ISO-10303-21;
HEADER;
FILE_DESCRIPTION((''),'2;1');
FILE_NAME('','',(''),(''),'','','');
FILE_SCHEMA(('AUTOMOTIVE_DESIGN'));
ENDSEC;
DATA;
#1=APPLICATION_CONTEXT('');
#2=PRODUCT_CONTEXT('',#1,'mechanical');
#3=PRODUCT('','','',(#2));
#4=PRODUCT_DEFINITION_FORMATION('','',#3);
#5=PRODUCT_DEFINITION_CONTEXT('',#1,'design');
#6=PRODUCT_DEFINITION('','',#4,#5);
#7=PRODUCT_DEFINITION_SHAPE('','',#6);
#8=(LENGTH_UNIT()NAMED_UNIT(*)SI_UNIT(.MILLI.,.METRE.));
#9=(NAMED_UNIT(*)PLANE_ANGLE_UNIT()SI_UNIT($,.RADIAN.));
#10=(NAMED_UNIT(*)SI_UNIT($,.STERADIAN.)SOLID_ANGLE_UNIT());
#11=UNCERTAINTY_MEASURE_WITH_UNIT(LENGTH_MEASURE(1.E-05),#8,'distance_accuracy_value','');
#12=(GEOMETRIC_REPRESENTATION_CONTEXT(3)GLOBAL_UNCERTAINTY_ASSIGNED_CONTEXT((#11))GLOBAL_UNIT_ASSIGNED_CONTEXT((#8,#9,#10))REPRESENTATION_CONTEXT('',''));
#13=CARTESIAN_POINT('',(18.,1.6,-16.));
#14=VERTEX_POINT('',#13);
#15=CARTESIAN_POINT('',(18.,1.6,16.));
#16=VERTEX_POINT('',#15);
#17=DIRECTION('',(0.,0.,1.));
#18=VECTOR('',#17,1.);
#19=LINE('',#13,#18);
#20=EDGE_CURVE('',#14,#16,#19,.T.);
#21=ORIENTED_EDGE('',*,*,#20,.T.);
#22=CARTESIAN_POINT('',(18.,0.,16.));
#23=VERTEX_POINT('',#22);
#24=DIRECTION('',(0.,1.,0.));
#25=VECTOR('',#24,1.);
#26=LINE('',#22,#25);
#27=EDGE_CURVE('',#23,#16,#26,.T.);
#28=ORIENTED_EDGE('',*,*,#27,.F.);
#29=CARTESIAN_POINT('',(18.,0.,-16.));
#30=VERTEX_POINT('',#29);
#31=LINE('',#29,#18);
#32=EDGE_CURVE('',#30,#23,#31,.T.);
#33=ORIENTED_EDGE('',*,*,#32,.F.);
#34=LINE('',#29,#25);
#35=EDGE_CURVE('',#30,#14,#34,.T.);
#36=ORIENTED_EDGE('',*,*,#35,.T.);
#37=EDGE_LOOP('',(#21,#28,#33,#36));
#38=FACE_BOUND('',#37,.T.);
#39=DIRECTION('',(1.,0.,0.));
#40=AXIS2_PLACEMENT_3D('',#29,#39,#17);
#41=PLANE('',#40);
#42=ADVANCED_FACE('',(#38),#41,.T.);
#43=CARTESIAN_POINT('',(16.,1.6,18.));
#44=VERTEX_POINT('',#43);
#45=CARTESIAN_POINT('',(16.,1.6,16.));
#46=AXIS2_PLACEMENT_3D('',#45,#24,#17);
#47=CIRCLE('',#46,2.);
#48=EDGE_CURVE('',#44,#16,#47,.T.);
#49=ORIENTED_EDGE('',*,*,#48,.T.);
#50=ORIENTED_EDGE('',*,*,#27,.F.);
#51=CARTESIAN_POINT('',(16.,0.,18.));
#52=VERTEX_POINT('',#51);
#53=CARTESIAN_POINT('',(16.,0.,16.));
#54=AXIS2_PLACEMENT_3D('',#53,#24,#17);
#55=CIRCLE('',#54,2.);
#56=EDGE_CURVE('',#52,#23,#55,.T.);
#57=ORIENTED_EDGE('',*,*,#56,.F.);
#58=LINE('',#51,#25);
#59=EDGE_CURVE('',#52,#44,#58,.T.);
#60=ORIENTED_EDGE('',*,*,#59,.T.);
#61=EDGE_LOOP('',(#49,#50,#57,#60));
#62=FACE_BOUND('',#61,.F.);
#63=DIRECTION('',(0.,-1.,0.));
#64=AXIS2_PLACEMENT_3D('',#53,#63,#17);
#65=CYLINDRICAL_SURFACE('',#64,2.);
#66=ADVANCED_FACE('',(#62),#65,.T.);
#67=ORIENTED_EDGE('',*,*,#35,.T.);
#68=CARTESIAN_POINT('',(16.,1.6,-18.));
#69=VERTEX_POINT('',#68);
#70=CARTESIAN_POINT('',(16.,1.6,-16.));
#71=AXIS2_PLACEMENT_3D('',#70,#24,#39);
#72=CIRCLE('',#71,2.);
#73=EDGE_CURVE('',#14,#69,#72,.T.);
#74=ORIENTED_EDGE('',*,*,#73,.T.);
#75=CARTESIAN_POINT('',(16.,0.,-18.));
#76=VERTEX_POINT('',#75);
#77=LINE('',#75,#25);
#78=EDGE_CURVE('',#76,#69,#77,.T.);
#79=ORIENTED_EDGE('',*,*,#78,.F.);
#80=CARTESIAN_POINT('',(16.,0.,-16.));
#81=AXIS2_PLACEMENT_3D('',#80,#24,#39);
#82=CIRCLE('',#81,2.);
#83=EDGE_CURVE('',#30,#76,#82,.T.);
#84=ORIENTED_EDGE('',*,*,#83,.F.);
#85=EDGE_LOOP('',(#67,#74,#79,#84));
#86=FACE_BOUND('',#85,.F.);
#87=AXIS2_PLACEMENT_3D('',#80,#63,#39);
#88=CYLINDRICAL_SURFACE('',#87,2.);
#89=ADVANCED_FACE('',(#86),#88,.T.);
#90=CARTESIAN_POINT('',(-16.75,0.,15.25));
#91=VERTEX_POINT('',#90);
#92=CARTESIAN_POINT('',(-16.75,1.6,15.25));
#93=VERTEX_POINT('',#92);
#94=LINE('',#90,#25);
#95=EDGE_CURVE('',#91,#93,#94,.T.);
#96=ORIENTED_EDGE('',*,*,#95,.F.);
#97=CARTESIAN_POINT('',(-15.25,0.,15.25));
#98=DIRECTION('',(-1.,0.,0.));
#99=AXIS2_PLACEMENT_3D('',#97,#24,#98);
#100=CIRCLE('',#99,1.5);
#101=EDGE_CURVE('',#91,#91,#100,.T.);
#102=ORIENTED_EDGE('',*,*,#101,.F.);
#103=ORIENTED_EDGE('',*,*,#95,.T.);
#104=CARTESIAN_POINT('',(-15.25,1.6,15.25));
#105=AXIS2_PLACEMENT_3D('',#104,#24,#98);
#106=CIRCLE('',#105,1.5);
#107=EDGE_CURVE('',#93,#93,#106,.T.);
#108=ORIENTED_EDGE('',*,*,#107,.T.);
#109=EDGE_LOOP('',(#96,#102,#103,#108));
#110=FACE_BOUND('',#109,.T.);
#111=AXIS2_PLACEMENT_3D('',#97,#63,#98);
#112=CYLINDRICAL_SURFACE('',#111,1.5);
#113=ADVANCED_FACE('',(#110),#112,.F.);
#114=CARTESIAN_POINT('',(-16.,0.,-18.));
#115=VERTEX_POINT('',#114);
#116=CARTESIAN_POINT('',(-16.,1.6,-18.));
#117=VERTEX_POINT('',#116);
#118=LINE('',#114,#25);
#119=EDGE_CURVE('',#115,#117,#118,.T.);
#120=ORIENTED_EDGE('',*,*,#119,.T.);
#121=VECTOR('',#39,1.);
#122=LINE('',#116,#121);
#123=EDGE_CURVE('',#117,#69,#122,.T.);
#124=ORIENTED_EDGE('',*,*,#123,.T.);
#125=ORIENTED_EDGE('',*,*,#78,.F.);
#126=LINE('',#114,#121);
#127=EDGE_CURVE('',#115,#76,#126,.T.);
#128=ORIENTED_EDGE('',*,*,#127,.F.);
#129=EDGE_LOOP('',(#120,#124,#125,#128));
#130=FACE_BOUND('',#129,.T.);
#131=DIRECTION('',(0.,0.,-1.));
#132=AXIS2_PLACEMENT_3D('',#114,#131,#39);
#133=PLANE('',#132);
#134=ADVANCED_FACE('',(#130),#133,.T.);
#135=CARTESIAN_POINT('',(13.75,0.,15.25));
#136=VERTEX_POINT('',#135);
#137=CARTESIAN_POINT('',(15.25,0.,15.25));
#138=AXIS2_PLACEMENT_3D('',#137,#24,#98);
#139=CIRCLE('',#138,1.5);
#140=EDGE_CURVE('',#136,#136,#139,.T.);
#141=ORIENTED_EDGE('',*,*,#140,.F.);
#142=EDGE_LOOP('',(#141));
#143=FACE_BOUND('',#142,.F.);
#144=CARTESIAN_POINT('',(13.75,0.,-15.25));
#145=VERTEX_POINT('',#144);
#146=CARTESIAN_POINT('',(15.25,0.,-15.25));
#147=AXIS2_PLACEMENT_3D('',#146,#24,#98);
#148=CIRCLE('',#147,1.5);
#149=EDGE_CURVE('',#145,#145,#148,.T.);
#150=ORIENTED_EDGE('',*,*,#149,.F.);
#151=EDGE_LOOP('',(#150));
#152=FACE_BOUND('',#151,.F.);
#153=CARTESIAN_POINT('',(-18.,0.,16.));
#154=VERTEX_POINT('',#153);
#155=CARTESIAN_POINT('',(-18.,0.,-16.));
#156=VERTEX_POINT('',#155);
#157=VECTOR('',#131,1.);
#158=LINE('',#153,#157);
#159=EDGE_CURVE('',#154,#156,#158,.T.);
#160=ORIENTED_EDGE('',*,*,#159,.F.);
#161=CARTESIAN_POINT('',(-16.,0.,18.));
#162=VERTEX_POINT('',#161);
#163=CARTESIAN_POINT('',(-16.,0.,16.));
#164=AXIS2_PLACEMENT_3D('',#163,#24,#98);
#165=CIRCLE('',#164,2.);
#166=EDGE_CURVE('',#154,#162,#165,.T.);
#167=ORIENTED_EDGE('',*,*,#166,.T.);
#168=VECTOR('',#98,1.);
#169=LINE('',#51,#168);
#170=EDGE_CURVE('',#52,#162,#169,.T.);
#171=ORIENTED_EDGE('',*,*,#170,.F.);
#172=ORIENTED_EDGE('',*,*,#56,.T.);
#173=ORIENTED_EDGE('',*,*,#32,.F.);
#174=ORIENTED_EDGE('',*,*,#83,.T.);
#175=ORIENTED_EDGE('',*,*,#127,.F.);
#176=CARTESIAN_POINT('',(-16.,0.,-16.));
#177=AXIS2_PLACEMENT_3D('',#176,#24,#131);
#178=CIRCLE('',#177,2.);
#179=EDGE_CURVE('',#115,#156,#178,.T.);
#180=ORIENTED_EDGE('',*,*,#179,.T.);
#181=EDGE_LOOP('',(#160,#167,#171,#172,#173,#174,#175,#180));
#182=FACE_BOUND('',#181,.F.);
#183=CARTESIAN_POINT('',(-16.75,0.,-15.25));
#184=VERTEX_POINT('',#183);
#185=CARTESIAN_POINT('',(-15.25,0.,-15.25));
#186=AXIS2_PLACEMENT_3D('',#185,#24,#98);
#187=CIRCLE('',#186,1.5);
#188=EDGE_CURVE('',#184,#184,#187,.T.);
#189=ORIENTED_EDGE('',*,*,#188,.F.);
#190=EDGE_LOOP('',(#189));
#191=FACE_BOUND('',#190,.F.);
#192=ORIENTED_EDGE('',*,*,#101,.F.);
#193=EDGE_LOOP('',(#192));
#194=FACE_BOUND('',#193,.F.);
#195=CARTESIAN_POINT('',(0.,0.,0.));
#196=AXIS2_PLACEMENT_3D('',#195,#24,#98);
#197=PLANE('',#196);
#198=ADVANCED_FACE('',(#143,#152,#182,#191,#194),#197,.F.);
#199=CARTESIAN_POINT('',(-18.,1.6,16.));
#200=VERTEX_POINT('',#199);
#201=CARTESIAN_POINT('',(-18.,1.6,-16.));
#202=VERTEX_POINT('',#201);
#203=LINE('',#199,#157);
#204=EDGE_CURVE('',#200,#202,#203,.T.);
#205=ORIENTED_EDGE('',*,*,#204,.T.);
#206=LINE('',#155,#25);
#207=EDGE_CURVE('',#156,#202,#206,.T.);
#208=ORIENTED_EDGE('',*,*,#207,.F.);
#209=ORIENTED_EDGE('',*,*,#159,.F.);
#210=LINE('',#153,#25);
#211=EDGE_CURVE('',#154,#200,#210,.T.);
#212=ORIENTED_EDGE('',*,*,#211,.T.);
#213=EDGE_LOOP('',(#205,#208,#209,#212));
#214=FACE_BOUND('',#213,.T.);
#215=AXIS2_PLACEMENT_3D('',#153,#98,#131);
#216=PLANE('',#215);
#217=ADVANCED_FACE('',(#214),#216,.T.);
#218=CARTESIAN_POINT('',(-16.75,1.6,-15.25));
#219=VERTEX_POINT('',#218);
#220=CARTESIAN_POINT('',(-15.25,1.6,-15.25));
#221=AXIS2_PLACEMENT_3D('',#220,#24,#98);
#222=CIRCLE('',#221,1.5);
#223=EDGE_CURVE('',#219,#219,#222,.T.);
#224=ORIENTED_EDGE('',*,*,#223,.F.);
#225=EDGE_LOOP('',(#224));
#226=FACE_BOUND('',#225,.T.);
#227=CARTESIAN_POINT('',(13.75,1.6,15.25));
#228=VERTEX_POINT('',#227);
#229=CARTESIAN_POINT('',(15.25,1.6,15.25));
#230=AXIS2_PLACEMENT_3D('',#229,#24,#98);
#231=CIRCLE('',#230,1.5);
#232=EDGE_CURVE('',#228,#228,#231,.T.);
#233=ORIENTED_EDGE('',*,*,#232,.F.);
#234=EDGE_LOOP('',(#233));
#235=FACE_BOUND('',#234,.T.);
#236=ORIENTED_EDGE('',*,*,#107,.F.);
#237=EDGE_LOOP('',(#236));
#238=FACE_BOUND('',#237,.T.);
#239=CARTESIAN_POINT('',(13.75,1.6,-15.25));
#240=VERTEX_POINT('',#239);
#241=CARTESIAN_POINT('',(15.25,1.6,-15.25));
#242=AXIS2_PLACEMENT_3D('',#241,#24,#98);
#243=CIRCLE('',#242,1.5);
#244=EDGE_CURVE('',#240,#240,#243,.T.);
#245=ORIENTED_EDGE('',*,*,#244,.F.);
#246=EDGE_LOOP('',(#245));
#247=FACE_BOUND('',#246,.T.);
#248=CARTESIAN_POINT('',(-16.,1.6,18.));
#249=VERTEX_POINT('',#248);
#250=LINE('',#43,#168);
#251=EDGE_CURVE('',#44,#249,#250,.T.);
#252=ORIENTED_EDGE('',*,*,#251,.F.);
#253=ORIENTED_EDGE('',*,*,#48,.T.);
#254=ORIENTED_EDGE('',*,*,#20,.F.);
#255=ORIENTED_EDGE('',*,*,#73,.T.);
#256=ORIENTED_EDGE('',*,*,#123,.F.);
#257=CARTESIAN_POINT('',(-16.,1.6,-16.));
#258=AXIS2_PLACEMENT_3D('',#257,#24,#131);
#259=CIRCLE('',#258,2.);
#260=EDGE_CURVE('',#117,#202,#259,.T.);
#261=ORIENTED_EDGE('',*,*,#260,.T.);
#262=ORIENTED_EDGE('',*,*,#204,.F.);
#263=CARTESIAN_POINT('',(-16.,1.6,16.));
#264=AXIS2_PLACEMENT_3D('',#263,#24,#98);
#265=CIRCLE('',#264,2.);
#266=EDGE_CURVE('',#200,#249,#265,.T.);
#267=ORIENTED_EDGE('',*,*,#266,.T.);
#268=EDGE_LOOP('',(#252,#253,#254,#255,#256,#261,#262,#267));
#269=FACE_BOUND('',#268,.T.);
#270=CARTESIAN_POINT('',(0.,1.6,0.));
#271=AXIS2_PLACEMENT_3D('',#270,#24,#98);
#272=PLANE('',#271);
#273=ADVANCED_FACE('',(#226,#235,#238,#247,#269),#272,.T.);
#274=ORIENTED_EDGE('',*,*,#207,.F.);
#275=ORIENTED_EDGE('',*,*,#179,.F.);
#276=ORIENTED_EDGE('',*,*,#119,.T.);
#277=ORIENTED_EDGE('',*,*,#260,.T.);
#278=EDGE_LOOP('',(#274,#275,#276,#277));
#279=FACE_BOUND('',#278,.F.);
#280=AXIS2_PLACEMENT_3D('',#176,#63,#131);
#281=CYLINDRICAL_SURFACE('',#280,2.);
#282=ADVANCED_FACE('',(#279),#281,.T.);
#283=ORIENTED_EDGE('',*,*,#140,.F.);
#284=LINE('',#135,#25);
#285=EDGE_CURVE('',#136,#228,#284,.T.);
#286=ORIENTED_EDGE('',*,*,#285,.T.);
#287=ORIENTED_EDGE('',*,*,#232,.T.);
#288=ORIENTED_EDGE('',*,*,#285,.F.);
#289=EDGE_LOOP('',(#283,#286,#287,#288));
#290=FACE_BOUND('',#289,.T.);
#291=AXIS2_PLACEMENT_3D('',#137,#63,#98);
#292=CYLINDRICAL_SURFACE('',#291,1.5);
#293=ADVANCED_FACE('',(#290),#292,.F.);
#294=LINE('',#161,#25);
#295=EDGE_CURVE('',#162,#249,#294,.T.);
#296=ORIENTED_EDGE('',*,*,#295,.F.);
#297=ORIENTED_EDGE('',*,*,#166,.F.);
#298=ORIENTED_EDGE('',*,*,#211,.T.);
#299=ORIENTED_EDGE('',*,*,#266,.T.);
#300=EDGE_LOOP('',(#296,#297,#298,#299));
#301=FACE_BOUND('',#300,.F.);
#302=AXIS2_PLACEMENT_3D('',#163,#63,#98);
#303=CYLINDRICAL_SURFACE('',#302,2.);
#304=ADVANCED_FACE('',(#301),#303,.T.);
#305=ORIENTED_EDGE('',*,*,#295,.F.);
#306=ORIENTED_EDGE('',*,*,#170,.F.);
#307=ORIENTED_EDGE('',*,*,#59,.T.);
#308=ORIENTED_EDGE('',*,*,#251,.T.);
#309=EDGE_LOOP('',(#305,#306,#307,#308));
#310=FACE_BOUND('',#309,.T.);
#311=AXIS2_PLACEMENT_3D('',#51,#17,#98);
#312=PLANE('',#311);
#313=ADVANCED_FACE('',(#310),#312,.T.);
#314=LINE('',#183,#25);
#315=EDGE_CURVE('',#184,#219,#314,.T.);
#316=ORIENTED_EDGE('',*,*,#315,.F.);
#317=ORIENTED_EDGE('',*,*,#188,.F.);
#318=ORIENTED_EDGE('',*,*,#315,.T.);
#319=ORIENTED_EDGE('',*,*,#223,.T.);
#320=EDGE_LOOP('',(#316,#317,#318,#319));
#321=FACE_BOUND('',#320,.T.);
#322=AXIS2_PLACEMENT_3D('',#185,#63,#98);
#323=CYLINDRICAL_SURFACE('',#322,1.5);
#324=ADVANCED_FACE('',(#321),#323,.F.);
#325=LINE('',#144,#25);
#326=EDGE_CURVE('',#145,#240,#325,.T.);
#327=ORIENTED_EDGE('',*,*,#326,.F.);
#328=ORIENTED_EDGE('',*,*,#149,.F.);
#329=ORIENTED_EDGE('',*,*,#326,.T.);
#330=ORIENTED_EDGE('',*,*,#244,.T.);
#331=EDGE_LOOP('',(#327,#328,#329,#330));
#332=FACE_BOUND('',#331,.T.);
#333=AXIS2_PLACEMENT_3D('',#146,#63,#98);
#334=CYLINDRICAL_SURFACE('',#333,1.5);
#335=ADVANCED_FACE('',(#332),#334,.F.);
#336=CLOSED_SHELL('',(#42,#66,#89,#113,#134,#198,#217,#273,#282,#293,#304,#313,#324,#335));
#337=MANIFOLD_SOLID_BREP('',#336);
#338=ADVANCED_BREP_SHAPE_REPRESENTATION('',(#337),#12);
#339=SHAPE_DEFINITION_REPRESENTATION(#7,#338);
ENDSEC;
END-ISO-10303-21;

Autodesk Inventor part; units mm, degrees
ref_plane "YZ Plane" through (0, 0, 0) normal (1, 0, 0) x (0, 1, 0)
ref_plane "XZ Plane" through (0, 0, 0) normal (0, 1, 0) x (-1, 0, 0)
ref_plane "XY Plane" through (0, 0, 0) normal (0, 0, 1) x (1, 0, 0)
sketch "Sketch3" plane through (0, 0, 0) normal (0, 1, 0) x (-1, 0, 0)
  circle A0 centre (-15.25, 15.25) radius 1.5
  circle A1 centre (-15.25, -15.25) radius 1.5
  circle A2 centre (15.25, -15.25) radius 1.5
  circle A3 centre (15.25, 15.25) radius 1.5
  line L0 (-16, 18) -> (16, 18)
  line L1 (18, 16) -> (18, -16)
  line L2 (16, -18) -> (-16, -18)
  line L3 (-18, -16) -> (-18, 16)
  arc A4 (18, 16) -> (16, 18) centre (16, 16) ccw
  arc A5 (16, -18) -> (18, -16) centre (16, -16) ccw
  arc A6 (-18, -16) -> (-16, -18) centre (-16, -16) ccw
  arc A7 (-16, 18) -> (-18, 16) centre (-16, 16) ccw
  dimension "d13" = 3
  dimension "d14" = 3
  dimension "d15" = 3
  dimension "d16" = 3
  dimension "d19" = 2
extrude "Extrusion2" add sketch "Sketch3" along normal blind 1.6
properties part number "PDB 2.1"
